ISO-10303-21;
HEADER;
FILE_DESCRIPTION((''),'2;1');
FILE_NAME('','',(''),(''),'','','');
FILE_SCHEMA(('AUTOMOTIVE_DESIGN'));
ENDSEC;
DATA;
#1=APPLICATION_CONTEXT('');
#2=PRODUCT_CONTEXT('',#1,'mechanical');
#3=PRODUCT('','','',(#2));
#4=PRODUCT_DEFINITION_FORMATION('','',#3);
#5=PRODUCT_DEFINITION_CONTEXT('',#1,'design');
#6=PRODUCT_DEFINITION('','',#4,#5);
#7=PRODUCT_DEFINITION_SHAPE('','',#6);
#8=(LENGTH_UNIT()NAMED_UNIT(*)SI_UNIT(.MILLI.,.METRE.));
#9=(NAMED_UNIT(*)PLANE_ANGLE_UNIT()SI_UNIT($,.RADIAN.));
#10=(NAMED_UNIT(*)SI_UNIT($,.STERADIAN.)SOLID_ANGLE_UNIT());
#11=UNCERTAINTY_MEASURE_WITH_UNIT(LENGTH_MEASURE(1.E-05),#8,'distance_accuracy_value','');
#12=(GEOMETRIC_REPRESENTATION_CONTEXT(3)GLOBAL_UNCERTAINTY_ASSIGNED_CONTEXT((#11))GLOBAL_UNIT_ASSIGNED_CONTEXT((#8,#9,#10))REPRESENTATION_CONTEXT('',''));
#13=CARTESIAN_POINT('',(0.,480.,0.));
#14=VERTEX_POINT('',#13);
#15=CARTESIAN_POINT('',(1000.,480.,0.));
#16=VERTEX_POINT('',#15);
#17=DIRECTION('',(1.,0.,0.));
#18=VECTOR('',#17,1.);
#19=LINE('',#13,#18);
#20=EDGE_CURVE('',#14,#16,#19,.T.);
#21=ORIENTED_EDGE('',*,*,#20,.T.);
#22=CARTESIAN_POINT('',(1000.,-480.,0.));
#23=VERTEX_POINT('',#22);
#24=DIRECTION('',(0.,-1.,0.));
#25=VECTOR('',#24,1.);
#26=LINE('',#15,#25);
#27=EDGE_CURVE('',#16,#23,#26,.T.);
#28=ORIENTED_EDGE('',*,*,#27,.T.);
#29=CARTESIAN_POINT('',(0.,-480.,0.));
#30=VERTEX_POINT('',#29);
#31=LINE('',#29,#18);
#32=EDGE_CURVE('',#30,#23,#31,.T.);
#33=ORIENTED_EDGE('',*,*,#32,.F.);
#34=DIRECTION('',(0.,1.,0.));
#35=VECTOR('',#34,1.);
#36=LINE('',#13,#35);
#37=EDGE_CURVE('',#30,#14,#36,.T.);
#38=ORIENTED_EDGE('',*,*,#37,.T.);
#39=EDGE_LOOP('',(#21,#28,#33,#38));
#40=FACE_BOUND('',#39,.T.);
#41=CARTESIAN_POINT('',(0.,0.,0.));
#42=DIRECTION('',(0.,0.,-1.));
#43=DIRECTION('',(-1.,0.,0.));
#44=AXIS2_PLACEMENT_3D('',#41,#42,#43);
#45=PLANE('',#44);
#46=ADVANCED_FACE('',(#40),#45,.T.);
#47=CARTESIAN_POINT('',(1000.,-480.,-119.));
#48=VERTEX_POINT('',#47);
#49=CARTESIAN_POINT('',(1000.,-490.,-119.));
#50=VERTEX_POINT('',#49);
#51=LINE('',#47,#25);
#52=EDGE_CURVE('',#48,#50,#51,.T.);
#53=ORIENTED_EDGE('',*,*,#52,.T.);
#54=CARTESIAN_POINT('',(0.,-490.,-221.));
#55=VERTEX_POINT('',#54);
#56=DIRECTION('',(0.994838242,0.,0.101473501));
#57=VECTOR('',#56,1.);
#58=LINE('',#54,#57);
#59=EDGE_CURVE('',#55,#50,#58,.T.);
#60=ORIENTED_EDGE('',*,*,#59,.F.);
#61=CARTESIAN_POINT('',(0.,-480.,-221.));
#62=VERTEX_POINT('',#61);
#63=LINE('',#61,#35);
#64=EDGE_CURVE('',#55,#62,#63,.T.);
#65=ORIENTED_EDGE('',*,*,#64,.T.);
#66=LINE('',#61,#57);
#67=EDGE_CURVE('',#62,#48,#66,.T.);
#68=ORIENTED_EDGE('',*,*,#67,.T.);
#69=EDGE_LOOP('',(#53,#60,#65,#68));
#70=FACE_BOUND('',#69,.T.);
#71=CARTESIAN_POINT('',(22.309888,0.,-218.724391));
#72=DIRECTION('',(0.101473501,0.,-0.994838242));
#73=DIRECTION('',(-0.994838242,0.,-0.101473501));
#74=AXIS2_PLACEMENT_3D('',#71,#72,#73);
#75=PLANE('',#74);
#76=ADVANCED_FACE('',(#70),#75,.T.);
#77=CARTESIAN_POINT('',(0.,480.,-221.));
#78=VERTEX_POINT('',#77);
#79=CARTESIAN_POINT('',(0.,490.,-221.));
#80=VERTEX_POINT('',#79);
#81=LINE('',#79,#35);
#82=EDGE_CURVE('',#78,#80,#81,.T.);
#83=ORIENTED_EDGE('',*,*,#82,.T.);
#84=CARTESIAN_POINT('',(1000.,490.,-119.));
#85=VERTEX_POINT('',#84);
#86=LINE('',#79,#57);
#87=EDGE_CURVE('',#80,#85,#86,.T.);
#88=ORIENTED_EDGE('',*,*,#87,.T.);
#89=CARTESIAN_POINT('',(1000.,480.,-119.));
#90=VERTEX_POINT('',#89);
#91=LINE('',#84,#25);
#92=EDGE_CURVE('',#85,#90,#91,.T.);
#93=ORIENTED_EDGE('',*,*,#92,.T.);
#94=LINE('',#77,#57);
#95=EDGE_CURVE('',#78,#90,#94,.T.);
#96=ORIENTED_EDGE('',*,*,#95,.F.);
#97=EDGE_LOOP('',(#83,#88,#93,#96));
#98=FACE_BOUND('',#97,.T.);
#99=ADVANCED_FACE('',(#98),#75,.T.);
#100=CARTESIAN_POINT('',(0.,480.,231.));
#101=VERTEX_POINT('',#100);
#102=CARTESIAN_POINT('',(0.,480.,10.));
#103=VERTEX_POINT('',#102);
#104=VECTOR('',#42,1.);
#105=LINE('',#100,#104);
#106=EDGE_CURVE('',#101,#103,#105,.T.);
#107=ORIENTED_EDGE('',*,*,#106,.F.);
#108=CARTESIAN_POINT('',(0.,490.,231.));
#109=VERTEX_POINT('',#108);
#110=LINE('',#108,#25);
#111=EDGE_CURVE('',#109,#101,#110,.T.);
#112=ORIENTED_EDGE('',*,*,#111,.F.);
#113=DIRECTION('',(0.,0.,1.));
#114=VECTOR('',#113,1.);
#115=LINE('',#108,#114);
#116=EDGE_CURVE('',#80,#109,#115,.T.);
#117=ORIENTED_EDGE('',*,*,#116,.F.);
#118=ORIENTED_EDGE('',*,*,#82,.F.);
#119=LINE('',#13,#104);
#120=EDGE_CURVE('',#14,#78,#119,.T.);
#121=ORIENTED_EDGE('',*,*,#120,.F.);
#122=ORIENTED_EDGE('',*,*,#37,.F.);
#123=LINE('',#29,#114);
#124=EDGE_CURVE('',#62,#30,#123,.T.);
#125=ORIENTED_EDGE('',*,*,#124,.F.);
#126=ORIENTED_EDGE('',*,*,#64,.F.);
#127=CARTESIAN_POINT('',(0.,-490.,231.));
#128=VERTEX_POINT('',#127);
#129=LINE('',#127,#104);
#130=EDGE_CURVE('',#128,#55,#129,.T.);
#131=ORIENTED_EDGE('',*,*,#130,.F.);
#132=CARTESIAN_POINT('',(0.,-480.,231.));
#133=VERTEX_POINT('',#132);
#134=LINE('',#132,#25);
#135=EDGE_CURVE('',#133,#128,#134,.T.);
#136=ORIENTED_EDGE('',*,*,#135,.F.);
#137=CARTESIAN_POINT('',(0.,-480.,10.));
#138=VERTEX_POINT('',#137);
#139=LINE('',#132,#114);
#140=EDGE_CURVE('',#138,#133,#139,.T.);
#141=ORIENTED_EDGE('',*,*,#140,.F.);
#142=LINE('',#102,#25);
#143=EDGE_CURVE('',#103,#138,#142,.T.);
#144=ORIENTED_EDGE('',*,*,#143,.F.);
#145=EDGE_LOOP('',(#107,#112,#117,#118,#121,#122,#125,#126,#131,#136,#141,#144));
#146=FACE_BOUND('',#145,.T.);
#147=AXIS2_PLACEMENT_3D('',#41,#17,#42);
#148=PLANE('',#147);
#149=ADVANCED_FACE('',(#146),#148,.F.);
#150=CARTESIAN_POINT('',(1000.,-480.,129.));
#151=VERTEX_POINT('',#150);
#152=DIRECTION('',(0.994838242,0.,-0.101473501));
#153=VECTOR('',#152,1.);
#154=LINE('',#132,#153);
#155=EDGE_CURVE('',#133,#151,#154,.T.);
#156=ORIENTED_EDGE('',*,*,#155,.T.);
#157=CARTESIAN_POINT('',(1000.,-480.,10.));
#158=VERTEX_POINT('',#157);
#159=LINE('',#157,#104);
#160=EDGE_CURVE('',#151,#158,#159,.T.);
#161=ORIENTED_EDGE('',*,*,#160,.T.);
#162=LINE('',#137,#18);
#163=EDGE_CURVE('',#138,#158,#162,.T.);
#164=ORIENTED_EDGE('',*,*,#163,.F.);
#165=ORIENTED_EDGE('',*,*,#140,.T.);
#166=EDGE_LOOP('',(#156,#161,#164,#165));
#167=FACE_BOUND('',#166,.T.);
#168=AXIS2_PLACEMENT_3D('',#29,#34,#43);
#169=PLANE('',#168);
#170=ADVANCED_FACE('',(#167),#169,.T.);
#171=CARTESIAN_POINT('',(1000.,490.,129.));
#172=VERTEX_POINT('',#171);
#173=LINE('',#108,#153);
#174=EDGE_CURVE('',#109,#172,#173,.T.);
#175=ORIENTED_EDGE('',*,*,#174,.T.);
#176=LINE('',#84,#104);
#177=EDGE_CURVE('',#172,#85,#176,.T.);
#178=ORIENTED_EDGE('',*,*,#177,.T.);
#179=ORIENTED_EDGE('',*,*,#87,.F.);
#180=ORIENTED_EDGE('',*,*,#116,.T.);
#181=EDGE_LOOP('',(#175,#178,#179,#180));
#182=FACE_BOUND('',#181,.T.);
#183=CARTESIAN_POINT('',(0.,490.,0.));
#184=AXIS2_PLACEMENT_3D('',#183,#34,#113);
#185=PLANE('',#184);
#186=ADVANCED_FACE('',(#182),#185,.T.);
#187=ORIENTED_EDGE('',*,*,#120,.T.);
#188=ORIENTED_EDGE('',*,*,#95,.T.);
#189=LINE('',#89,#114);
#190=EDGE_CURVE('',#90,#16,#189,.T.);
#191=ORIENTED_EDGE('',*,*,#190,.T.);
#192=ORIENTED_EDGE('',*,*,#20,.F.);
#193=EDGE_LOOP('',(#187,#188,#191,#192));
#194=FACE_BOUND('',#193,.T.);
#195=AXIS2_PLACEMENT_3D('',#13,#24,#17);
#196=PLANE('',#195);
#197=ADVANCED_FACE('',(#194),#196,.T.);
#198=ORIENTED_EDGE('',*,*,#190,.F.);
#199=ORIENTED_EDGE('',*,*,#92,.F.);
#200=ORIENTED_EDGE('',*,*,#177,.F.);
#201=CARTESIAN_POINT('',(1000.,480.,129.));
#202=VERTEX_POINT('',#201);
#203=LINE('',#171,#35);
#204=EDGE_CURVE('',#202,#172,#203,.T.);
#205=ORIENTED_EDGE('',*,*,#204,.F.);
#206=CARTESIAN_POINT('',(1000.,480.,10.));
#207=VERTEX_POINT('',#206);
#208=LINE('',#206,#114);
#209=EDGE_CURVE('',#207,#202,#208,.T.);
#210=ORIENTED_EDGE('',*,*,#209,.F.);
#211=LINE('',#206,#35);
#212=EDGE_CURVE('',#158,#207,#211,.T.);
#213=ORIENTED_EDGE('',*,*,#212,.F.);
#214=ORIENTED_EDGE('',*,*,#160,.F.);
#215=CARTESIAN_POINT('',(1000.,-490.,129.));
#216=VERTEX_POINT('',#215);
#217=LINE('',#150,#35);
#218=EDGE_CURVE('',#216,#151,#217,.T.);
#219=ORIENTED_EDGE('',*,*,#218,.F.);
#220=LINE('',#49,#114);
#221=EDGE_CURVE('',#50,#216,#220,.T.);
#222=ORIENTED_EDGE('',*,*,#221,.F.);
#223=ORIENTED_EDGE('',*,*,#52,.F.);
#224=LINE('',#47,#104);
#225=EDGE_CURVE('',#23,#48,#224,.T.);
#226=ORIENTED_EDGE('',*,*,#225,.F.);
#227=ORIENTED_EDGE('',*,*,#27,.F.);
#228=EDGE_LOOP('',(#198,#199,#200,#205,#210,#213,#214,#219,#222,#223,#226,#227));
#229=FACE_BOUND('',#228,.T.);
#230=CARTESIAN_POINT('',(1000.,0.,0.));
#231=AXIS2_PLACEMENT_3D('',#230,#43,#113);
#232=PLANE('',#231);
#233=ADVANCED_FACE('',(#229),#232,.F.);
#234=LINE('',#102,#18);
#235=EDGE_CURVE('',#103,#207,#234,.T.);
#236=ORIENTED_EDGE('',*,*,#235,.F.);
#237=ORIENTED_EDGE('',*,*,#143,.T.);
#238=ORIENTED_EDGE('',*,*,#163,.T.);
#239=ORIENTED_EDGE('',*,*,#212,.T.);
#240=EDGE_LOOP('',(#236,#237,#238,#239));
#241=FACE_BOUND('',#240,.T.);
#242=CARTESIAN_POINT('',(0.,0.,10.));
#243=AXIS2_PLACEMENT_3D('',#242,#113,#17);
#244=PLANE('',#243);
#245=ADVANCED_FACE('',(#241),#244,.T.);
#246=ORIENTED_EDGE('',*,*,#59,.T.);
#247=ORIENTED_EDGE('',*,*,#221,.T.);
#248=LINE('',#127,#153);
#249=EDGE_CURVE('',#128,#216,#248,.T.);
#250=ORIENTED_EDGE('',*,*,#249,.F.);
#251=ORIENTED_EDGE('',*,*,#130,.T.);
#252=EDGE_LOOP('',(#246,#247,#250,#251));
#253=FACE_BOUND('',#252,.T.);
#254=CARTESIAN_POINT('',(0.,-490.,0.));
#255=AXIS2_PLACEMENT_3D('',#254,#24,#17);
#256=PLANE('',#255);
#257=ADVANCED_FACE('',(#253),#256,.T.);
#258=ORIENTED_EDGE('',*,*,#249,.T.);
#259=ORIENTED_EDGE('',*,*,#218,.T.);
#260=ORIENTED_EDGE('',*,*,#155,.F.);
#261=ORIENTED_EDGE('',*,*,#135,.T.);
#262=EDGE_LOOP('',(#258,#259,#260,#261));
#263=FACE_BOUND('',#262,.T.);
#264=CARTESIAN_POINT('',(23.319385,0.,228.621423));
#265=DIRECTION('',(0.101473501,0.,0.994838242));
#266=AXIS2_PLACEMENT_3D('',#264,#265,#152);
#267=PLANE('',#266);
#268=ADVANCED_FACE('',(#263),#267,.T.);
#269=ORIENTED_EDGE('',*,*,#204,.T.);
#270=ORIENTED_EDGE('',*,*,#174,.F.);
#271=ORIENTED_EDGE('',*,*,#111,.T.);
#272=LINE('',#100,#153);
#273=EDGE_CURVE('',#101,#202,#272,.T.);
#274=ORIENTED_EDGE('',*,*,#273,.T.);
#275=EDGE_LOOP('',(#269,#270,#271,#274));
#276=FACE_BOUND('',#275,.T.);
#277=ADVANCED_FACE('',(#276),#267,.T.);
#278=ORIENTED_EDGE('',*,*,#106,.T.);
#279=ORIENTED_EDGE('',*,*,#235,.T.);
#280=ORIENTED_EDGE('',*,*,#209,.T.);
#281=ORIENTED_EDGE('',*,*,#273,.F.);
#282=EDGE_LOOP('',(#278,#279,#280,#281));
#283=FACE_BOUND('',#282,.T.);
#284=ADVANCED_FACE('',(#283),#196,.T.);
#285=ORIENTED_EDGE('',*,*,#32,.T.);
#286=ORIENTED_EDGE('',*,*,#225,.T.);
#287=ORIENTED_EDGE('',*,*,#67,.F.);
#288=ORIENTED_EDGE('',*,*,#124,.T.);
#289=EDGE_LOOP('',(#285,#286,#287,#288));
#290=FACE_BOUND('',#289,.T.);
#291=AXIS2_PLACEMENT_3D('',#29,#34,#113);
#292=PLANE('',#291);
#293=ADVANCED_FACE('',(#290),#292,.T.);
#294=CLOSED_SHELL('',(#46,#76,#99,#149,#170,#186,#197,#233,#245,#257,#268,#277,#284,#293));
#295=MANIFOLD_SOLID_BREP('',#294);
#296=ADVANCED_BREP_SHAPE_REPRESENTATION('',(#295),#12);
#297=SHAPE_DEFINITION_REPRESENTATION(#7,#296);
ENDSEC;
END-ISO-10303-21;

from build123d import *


with BuildPart() as part:
    # Sketch1 → Loft l2 section 0
    with BuildSketch(Plane(origin=(0, 0, 0), x_dir=(0, 0, -1), z_dir=(1, 0, 0))):
        Polygon((-231, 490), (221, 490), (221, 480), (0, 480), (0, -480), (221, -480), (221, -490), (-231, -490), (-231, -480), (-10, -480), (-10, 480), (-231, 480), align=None)
    # Sketch4 → Loft l2 section 1
    with BuildSketch(Plane(origin=(1000, 0, -1000), x_dir=(0, 0, 1), z_dir=(-1, 0, 0))):
        Polygon((881, 490), (1129, 490), (1129, 480), (1010, 480), (1010, -480), (1129, -480), (1129, -490), (881, -490), (881, -480), (1000, -480), (1000, 480), (881, 480), align=None)
    loft()


solid = part.part
